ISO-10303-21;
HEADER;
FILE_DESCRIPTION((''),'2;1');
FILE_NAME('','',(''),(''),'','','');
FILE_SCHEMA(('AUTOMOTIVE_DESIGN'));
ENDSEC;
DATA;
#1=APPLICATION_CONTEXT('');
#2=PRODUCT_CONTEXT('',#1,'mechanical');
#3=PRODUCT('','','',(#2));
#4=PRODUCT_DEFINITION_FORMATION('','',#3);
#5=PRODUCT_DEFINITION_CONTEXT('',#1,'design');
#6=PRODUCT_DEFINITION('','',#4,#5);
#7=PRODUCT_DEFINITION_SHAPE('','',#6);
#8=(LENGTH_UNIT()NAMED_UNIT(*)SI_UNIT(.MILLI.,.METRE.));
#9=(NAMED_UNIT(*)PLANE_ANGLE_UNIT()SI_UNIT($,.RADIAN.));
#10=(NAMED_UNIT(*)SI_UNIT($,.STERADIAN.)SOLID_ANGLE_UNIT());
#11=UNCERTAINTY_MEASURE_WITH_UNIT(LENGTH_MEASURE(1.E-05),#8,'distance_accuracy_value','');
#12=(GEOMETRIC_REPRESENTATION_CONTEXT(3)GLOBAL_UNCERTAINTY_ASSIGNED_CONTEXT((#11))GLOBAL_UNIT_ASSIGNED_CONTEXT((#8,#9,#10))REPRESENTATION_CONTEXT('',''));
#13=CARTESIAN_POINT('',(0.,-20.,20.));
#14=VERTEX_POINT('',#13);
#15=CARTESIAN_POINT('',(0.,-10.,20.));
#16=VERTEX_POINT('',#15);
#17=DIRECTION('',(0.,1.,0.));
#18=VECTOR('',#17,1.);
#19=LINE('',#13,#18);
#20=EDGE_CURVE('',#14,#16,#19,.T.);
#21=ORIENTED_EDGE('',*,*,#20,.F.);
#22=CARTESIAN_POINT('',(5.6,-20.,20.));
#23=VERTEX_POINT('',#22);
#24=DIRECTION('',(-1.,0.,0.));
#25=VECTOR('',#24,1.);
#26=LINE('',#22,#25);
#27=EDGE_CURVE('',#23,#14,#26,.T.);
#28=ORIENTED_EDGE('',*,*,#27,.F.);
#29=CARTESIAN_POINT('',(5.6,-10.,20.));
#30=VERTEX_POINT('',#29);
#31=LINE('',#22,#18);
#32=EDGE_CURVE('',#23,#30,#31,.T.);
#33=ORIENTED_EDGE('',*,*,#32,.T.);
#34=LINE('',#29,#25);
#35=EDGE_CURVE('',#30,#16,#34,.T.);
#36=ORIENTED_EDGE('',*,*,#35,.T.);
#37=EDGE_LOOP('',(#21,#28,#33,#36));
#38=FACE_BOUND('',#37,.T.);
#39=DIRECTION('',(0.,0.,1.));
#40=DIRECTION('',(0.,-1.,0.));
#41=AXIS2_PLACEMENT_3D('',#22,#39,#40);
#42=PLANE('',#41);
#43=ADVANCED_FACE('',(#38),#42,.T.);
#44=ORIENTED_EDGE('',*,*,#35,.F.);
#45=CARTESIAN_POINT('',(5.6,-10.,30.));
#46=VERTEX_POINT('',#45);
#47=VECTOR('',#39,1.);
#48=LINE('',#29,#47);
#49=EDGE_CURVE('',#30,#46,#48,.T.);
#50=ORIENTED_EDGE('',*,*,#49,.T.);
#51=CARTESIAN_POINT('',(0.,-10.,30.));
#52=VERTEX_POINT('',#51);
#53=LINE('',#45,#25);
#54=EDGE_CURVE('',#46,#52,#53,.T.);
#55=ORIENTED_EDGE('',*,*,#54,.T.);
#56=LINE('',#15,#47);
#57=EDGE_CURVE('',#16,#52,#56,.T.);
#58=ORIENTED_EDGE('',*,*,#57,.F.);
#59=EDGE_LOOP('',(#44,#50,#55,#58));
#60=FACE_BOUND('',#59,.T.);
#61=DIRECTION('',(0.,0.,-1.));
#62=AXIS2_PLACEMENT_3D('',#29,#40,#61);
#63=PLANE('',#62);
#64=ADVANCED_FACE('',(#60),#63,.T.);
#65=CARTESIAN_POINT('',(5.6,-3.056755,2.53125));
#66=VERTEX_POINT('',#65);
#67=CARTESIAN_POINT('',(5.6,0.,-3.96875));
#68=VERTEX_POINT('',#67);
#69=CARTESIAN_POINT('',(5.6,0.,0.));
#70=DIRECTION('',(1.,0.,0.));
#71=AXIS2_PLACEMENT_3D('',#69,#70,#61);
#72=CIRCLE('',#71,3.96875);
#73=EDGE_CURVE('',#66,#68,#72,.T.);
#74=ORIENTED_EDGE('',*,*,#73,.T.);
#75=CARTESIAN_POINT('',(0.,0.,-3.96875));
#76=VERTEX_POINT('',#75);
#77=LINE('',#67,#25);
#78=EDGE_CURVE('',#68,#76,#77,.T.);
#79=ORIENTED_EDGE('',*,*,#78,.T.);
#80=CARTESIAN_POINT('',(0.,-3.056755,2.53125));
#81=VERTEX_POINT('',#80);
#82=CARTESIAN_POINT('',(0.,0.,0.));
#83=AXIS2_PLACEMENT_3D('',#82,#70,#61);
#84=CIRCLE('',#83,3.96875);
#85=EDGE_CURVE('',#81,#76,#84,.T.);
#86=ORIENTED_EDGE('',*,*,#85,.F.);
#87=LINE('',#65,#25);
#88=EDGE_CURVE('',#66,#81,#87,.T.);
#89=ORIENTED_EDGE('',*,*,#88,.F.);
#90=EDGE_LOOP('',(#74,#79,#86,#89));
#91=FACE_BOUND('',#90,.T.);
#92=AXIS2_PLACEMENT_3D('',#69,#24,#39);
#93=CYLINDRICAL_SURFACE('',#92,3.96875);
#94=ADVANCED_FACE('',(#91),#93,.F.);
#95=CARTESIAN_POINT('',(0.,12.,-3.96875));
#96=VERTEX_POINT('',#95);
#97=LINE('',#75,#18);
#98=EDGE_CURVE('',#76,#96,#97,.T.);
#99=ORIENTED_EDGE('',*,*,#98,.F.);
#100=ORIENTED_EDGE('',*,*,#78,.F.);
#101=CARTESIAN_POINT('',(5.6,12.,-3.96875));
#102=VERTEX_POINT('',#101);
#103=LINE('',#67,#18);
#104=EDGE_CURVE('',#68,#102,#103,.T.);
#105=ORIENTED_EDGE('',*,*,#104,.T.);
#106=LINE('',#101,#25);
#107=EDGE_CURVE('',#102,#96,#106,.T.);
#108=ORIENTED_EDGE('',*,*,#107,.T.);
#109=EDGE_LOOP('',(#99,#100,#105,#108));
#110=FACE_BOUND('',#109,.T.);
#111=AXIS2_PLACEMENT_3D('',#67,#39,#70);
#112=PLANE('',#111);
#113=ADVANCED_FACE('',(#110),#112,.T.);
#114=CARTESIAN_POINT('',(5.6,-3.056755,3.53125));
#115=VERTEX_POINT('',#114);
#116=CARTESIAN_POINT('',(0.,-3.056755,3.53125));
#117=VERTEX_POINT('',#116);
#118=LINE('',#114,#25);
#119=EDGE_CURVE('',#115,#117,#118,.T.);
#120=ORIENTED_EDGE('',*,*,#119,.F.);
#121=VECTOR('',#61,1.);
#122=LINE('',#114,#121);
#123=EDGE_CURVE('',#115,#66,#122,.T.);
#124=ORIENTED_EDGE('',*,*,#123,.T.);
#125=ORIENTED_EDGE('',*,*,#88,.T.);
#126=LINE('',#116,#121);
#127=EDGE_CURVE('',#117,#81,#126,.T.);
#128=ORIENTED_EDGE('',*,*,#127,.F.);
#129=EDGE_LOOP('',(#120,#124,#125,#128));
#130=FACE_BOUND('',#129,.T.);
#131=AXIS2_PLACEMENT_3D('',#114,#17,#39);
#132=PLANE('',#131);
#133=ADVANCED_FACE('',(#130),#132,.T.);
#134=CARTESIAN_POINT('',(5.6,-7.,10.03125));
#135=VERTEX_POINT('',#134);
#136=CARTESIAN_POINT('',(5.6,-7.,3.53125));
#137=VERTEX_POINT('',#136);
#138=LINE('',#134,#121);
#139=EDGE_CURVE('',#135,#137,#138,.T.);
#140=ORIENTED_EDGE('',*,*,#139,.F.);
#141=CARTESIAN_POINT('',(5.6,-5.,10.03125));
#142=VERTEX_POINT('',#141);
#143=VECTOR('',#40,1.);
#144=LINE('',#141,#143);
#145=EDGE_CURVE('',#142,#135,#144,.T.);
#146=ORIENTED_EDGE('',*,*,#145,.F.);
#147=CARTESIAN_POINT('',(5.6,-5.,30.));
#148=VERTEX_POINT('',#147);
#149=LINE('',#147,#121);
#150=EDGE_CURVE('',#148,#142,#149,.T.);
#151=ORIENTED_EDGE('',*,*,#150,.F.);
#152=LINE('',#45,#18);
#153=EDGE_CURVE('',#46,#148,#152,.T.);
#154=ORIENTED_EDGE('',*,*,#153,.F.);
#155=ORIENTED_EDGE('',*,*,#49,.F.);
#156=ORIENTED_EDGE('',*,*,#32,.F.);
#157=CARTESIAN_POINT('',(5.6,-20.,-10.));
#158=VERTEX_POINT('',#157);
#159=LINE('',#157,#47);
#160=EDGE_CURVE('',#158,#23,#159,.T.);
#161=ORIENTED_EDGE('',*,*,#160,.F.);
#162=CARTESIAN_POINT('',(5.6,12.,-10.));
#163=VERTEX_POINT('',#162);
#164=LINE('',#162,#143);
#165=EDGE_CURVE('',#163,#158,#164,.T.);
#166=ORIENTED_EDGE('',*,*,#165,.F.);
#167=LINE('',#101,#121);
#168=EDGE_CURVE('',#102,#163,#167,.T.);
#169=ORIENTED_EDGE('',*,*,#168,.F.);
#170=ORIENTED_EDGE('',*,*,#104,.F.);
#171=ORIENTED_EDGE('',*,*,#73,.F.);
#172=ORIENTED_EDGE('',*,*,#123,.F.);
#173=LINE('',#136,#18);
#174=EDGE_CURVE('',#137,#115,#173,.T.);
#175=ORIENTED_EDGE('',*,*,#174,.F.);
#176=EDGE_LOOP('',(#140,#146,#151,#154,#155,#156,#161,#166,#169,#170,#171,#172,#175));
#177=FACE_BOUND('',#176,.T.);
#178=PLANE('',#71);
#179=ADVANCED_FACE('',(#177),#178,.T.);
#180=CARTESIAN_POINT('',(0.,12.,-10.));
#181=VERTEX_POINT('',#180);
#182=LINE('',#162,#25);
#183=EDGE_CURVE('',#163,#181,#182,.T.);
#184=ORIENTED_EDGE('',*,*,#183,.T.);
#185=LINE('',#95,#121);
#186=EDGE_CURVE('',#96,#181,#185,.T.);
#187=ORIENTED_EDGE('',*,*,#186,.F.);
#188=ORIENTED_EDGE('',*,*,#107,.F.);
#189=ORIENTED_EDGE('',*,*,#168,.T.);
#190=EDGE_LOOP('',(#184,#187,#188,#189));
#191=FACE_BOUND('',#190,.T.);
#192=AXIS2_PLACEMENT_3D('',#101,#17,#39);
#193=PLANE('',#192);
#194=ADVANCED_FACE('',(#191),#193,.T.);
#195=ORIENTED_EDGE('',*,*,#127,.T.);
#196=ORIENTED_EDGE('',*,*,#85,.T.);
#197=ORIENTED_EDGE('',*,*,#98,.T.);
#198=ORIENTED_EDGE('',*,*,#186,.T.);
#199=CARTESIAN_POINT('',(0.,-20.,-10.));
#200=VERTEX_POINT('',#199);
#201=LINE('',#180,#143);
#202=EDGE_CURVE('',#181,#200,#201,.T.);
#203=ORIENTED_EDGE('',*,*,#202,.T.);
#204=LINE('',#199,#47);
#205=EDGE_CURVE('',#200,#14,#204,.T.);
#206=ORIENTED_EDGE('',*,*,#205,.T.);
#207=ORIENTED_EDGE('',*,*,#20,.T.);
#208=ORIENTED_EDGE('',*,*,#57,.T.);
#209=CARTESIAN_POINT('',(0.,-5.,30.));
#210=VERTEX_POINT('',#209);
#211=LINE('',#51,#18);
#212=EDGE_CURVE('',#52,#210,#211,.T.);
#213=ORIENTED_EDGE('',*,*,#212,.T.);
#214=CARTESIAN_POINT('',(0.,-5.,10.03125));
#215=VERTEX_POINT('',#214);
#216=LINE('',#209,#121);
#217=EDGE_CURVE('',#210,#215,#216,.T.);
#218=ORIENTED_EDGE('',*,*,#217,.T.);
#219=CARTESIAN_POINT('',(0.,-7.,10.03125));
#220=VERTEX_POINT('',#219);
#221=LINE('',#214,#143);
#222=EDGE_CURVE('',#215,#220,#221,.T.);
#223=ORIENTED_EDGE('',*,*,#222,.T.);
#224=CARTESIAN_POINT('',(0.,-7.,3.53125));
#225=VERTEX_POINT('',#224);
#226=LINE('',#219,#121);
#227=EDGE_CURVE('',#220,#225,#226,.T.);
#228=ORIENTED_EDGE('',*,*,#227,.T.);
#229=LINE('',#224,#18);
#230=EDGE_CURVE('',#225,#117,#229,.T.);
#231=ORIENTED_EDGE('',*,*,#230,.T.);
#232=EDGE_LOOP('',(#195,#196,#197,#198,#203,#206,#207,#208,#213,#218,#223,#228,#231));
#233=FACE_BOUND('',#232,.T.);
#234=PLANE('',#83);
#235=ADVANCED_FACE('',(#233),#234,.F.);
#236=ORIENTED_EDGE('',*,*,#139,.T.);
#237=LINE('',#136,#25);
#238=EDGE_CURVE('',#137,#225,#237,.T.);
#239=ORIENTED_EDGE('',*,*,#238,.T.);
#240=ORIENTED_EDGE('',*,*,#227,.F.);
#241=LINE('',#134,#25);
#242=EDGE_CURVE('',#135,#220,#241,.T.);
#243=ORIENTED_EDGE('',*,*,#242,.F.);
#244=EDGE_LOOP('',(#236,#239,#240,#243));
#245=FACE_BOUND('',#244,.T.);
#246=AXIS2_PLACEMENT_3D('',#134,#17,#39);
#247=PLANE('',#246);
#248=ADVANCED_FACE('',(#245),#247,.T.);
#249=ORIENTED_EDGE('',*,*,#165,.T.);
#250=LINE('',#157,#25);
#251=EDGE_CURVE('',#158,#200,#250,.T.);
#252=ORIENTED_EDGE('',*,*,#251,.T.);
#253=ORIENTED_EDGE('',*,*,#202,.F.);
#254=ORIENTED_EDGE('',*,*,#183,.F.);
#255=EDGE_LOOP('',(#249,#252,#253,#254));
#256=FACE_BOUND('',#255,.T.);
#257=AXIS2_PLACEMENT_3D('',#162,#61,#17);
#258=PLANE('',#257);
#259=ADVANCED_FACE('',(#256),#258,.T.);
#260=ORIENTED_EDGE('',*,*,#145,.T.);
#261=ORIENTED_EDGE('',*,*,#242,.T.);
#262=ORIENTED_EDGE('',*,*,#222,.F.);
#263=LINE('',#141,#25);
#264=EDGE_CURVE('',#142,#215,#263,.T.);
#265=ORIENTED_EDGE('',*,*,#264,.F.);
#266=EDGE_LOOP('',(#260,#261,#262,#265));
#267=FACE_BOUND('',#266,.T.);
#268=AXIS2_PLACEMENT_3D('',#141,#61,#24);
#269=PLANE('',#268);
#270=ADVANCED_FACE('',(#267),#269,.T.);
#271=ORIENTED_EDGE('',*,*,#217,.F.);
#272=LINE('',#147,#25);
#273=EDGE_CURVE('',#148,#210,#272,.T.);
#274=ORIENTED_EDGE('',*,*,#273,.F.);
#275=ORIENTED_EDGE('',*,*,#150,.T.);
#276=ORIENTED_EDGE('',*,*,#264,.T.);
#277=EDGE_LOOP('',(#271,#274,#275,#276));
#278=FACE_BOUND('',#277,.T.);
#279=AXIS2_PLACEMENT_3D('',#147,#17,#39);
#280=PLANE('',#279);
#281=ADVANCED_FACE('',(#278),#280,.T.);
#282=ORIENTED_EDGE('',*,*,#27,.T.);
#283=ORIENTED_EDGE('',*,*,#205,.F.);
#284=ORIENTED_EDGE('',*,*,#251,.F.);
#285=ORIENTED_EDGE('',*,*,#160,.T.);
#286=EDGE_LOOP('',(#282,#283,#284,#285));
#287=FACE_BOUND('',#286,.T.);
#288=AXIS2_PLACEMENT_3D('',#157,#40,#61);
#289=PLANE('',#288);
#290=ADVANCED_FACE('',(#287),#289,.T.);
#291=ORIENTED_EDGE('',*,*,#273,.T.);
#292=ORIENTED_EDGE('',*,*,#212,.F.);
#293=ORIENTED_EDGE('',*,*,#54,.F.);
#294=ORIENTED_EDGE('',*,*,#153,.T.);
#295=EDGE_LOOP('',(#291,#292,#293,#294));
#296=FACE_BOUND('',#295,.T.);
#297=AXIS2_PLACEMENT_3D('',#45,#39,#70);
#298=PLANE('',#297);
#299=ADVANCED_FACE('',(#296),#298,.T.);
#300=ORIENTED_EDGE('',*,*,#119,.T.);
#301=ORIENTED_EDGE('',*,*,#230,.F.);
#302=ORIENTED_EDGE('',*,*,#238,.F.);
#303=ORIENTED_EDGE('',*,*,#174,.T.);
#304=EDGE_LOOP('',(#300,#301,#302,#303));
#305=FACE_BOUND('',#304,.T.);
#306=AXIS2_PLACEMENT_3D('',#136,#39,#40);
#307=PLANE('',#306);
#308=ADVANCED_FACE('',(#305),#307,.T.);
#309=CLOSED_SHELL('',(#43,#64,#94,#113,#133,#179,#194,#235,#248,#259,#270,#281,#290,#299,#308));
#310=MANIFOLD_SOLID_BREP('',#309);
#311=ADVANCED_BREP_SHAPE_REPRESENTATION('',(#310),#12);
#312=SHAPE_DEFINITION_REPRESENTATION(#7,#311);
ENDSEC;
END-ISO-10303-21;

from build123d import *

# Parameters (mm, degrees)
BOSS_EXTRUDE1_DEPTH = 5.6


with BuildPart() as part:
    # Sketch1 → Boss-Extrude1 (new body)
    with BuildSketch(Plane(origin=(0, 0, 0), x_dir=(0, 0, -1), z_dir=(1, 0, 0))):
        with BuildLine():
            Line((3.96875, 0), (3.96875, 12))
            Line((3.96875, 12), (10, 12))
            Line((10, 12), (10, -20))
            Line((10, -20), (-20, -20))
            Line((-20, -20), (-20, -10))
            Line((-20, -10), (-30, -10))
            Line((-30, -10), (-30, -5))
            Line((-30, -5), (-10.03125, -5))
            Line((-10.03125, -5), (-10.03125, -7))
            Line((-10.03125, -7), (-3.53125, -7))
            Line((-3.53125, -7), (-3.53125, -3.056754815))
            Line((-3.53125, -3.056754815), (-2.53125, -3.056754815))
            ThreePointArc((-2.53125, -3.056754815), (1.68894614, -3.591439475), (3.96875, 0))
        make_face()
    extrude(amount=BOSS_EXTRUDE1_DEPTH)


solid = part.part
